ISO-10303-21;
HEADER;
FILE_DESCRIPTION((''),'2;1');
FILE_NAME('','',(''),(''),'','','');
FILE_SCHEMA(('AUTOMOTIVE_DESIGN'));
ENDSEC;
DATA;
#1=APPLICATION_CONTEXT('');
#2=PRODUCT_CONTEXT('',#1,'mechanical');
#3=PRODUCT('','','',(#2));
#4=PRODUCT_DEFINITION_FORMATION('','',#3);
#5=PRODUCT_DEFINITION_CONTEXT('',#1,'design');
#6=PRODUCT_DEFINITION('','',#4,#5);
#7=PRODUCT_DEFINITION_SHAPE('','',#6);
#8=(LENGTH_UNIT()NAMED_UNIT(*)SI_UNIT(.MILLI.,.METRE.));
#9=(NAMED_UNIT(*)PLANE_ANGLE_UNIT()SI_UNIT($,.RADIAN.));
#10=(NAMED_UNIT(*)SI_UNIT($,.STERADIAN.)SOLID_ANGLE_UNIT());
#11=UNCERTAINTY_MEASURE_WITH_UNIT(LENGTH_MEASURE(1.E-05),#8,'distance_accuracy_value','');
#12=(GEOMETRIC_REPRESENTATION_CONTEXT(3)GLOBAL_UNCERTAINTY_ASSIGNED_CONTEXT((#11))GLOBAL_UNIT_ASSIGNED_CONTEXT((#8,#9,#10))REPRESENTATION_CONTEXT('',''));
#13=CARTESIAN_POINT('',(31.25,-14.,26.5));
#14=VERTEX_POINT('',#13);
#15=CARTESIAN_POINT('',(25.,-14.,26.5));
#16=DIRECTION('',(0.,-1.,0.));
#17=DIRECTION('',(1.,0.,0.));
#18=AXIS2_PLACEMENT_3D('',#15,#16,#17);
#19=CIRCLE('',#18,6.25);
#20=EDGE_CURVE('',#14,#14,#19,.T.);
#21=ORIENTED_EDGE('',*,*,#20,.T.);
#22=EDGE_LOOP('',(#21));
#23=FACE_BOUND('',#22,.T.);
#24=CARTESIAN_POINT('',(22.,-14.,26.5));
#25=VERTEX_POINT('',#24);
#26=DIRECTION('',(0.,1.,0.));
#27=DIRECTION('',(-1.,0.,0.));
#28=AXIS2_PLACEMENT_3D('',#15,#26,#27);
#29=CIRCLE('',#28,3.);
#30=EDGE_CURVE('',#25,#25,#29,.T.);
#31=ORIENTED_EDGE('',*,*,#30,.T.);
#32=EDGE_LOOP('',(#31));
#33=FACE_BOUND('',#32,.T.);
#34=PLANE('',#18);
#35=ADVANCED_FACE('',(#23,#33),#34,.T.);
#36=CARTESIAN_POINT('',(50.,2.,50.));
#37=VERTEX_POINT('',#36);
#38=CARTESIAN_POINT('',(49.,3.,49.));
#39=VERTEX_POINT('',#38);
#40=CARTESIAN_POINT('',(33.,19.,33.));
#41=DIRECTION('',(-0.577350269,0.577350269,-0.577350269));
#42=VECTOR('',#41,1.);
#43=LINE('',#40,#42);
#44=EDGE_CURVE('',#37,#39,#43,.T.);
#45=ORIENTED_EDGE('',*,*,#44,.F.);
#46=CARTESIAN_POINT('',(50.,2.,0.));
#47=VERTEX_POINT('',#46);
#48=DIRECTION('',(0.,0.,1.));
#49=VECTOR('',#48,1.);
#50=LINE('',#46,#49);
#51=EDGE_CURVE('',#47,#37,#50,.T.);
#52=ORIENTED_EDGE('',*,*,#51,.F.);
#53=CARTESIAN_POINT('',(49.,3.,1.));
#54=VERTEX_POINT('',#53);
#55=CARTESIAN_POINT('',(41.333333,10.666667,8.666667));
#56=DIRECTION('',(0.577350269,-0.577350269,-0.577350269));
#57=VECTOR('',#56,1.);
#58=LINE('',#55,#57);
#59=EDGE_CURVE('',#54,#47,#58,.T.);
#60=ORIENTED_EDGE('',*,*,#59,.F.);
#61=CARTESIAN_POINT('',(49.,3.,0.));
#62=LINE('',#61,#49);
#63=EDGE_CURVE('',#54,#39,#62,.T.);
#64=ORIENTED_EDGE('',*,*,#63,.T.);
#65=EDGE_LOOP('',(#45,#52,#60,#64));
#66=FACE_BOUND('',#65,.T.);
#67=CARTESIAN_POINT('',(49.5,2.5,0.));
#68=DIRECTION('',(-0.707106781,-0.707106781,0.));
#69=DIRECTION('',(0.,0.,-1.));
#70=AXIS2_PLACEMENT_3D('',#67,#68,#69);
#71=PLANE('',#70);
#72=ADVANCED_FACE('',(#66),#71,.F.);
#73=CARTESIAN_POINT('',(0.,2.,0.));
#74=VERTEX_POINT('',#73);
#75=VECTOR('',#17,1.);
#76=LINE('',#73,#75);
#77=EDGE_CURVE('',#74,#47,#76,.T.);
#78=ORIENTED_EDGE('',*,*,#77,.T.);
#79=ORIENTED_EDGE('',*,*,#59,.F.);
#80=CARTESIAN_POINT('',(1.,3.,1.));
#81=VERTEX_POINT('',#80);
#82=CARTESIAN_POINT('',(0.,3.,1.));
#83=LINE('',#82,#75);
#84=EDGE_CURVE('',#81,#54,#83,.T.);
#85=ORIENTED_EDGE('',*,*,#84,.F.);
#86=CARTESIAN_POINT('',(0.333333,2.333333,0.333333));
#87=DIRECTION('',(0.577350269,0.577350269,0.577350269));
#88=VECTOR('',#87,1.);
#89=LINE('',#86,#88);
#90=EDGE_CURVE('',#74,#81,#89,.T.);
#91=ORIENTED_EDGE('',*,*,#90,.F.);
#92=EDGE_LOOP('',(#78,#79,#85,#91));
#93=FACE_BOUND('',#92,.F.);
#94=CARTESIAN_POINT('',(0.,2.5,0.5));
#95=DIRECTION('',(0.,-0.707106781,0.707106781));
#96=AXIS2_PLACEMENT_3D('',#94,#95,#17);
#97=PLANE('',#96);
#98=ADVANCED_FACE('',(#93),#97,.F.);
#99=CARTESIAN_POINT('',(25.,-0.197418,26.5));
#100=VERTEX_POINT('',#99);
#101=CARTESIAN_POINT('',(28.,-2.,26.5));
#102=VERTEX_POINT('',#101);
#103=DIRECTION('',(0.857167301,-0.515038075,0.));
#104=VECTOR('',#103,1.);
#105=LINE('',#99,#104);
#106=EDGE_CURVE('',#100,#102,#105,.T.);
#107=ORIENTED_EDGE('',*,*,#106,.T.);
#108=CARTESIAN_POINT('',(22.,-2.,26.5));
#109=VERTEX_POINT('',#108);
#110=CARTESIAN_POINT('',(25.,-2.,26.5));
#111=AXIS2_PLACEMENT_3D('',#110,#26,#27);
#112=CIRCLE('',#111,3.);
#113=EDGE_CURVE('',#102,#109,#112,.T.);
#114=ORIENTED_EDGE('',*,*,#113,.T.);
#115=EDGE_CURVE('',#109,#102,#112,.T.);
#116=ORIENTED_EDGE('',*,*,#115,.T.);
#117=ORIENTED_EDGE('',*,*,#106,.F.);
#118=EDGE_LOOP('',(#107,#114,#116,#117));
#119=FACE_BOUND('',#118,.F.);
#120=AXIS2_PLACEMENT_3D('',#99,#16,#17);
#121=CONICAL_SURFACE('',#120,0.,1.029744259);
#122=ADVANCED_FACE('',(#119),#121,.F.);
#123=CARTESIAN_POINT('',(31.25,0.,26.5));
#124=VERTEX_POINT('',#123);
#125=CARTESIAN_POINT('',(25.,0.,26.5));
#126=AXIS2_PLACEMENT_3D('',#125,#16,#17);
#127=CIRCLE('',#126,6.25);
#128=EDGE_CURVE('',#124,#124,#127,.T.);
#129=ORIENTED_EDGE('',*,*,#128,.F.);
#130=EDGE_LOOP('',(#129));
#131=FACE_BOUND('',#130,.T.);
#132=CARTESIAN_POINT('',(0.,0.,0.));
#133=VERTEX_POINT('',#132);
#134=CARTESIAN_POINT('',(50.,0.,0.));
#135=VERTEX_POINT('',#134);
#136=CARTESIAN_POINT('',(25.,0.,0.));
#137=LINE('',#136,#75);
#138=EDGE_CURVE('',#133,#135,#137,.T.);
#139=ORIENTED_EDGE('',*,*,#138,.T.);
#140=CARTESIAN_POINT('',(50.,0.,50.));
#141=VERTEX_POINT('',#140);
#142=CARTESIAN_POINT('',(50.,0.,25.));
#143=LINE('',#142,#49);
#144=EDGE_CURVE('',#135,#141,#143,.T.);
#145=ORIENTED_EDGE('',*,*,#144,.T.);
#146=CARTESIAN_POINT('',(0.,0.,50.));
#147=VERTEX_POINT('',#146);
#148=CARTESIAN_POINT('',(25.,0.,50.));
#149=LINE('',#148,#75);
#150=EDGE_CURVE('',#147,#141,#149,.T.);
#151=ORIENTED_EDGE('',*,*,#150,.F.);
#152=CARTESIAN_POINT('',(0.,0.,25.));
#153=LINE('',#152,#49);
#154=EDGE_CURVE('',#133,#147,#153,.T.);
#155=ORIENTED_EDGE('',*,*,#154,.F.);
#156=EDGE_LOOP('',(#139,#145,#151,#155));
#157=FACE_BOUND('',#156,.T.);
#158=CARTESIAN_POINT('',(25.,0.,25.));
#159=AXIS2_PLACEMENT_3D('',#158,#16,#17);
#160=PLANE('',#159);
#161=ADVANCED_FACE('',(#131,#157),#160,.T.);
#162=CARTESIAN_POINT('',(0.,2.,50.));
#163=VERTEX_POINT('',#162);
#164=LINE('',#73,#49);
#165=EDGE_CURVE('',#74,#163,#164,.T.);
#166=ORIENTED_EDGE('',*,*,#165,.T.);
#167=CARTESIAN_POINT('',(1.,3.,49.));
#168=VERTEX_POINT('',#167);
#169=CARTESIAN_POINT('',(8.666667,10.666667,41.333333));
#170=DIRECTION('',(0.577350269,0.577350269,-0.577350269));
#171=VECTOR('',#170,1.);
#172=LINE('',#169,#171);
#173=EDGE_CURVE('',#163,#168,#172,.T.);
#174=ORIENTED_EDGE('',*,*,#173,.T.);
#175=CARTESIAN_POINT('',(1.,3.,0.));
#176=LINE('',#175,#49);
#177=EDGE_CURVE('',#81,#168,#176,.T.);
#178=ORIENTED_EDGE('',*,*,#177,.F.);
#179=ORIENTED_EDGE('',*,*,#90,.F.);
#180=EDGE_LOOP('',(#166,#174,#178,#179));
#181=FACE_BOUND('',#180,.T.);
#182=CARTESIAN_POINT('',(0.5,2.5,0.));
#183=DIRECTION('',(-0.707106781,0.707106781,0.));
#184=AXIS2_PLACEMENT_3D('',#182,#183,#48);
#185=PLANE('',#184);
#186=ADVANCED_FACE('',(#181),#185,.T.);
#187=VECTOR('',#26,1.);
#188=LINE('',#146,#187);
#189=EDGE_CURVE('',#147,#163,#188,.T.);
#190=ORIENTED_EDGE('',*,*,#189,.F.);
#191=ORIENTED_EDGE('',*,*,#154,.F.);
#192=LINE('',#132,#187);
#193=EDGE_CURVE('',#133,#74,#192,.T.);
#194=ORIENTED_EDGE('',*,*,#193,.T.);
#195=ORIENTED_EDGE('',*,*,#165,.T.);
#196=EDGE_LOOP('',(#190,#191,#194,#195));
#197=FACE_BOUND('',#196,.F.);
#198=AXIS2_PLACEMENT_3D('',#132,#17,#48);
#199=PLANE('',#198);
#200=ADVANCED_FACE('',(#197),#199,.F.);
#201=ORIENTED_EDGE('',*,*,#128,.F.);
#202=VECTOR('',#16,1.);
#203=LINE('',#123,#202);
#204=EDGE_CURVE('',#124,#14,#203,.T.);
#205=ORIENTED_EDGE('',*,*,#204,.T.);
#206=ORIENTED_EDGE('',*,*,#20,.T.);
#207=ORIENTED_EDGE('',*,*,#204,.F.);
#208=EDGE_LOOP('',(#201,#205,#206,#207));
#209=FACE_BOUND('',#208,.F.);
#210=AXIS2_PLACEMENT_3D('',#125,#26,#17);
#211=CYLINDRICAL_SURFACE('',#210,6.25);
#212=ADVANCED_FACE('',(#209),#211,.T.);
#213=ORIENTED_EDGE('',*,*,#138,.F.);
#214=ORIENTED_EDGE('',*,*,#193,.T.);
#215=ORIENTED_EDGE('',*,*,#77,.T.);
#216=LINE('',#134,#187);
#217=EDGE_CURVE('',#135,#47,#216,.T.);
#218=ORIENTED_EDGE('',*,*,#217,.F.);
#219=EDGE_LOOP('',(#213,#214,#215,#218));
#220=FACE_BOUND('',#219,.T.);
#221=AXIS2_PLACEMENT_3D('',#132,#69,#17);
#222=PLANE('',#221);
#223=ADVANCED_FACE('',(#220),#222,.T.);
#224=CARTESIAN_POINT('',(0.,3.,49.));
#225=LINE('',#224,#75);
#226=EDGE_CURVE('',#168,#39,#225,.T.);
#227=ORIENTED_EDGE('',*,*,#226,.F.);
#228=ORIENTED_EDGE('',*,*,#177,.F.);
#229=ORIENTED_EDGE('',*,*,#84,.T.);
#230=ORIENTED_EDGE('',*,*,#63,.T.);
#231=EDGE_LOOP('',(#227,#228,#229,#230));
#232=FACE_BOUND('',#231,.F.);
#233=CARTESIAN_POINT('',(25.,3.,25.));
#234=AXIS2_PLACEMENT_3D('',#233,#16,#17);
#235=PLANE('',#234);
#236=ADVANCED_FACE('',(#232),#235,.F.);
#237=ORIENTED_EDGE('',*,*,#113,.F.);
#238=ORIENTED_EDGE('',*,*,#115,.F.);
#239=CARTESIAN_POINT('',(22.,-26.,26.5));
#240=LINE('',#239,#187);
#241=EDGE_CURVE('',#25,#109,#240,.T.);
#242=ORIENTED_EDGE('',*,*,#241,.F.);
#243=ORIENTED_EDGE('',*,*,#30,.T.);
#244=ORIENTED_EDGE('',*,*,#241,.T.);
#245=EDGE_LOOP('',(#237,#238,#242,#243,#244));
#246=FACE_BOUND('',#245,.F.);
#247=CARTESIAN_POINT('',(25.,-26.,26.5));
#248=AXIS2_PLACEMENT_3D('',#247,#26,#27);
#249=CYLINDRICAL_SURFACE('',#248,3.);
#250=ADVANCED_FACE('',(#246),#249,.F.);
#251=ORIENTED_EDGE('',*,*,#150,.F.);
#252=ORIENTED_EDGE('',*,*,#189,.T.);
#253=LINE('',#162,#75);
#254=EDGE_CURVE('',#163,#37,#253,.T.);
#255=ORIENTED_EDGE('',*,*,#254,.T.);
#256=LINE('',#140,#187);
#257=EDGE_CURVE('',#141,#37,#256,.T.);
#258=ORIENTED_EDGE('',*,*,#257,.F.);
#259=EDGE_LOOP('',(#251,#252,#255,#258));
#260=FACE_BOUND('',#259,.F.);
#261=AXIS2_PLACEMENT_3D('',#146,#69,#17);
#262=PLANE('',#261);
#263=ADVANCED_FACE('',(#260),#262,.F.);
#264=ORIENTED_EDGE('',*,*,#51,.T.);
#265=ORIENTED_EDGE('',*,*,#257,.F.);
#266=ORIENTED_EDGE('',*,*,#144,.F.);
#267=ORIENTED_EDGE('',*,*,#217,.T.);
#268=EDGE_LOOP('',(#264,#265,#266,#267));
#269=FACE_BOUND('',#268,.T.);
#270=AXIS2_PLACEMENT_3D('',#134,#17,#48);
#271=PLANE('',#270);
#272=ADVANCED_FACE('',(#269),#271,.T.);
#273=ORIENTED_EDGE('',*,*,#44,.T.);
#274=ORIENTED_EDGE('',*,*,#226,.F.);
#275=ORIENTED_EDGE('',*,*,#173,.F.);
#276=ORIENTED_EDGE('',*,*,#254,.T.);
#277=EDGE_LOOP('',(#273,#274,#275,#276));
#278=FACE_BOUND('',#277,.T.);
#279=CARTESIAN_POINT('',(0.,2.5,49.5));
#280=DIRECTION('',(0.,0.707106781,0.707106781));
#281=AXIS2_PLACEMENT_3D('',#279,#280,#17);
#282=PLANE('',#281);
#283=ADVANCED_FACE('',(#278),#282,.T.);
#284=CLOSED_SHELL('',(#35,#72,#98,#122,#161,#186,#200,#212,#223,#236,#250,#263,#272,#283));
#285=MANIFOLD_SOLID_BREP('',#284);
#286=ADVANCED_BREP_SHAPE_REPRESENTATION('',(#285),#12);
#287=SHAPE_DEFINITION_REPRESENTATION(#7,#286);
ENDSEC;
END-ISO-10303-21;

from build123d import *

# Parameters (mm, degrees)
F1_R     = 6.25
F2_DEPTH = 14
F0_W     = 50
F0_H     = 50
F3_DEPTH = 3
F5_D     = 6
F5_DEPTH = 12
F5_TIP   = 1.8025818571
F6_SIZE  = 1


with BuildPart() as f2:
    # F1 (on face) → F2 (new body)
    with BuildSketch(Plane.XZ):
        with Locations((25, 26.5)):
            Circle(F1_R)
    extrude(amount=F2_DEPTH)

    # F0 (on Front) → F3 (join)
    with BuildSketch(Plane.XZ):
        with Locations((25, 25)):
            Rectangle(F0_W, F0_H)
    extrude(amount=-F3_DEPTH)

    # F5
    with Locations(Plane.XZ.offset(14)):
        with Locations((25, 26.5)):
            Hole(F5_D / 2, depth=F5_DEPTH)
            with Locations((0, 0, -(F5_DEPTH + F5_TIP / 2))):  # 118° drill point
                Cone(0, F5_D / 2, F5_TIP, mode=Mode.SUBTRACT)

    # F6
    f6_edges = [f2.edges().sort_by_distance(p)[0] for p in [
        (25, 3, 50),
        (50, 3, 25),
        (0, 3, 25),
        (25, 3, 0),
    ]]
    chamfer(f6_edges, length=F6_SIZE)


solid = f2.part
